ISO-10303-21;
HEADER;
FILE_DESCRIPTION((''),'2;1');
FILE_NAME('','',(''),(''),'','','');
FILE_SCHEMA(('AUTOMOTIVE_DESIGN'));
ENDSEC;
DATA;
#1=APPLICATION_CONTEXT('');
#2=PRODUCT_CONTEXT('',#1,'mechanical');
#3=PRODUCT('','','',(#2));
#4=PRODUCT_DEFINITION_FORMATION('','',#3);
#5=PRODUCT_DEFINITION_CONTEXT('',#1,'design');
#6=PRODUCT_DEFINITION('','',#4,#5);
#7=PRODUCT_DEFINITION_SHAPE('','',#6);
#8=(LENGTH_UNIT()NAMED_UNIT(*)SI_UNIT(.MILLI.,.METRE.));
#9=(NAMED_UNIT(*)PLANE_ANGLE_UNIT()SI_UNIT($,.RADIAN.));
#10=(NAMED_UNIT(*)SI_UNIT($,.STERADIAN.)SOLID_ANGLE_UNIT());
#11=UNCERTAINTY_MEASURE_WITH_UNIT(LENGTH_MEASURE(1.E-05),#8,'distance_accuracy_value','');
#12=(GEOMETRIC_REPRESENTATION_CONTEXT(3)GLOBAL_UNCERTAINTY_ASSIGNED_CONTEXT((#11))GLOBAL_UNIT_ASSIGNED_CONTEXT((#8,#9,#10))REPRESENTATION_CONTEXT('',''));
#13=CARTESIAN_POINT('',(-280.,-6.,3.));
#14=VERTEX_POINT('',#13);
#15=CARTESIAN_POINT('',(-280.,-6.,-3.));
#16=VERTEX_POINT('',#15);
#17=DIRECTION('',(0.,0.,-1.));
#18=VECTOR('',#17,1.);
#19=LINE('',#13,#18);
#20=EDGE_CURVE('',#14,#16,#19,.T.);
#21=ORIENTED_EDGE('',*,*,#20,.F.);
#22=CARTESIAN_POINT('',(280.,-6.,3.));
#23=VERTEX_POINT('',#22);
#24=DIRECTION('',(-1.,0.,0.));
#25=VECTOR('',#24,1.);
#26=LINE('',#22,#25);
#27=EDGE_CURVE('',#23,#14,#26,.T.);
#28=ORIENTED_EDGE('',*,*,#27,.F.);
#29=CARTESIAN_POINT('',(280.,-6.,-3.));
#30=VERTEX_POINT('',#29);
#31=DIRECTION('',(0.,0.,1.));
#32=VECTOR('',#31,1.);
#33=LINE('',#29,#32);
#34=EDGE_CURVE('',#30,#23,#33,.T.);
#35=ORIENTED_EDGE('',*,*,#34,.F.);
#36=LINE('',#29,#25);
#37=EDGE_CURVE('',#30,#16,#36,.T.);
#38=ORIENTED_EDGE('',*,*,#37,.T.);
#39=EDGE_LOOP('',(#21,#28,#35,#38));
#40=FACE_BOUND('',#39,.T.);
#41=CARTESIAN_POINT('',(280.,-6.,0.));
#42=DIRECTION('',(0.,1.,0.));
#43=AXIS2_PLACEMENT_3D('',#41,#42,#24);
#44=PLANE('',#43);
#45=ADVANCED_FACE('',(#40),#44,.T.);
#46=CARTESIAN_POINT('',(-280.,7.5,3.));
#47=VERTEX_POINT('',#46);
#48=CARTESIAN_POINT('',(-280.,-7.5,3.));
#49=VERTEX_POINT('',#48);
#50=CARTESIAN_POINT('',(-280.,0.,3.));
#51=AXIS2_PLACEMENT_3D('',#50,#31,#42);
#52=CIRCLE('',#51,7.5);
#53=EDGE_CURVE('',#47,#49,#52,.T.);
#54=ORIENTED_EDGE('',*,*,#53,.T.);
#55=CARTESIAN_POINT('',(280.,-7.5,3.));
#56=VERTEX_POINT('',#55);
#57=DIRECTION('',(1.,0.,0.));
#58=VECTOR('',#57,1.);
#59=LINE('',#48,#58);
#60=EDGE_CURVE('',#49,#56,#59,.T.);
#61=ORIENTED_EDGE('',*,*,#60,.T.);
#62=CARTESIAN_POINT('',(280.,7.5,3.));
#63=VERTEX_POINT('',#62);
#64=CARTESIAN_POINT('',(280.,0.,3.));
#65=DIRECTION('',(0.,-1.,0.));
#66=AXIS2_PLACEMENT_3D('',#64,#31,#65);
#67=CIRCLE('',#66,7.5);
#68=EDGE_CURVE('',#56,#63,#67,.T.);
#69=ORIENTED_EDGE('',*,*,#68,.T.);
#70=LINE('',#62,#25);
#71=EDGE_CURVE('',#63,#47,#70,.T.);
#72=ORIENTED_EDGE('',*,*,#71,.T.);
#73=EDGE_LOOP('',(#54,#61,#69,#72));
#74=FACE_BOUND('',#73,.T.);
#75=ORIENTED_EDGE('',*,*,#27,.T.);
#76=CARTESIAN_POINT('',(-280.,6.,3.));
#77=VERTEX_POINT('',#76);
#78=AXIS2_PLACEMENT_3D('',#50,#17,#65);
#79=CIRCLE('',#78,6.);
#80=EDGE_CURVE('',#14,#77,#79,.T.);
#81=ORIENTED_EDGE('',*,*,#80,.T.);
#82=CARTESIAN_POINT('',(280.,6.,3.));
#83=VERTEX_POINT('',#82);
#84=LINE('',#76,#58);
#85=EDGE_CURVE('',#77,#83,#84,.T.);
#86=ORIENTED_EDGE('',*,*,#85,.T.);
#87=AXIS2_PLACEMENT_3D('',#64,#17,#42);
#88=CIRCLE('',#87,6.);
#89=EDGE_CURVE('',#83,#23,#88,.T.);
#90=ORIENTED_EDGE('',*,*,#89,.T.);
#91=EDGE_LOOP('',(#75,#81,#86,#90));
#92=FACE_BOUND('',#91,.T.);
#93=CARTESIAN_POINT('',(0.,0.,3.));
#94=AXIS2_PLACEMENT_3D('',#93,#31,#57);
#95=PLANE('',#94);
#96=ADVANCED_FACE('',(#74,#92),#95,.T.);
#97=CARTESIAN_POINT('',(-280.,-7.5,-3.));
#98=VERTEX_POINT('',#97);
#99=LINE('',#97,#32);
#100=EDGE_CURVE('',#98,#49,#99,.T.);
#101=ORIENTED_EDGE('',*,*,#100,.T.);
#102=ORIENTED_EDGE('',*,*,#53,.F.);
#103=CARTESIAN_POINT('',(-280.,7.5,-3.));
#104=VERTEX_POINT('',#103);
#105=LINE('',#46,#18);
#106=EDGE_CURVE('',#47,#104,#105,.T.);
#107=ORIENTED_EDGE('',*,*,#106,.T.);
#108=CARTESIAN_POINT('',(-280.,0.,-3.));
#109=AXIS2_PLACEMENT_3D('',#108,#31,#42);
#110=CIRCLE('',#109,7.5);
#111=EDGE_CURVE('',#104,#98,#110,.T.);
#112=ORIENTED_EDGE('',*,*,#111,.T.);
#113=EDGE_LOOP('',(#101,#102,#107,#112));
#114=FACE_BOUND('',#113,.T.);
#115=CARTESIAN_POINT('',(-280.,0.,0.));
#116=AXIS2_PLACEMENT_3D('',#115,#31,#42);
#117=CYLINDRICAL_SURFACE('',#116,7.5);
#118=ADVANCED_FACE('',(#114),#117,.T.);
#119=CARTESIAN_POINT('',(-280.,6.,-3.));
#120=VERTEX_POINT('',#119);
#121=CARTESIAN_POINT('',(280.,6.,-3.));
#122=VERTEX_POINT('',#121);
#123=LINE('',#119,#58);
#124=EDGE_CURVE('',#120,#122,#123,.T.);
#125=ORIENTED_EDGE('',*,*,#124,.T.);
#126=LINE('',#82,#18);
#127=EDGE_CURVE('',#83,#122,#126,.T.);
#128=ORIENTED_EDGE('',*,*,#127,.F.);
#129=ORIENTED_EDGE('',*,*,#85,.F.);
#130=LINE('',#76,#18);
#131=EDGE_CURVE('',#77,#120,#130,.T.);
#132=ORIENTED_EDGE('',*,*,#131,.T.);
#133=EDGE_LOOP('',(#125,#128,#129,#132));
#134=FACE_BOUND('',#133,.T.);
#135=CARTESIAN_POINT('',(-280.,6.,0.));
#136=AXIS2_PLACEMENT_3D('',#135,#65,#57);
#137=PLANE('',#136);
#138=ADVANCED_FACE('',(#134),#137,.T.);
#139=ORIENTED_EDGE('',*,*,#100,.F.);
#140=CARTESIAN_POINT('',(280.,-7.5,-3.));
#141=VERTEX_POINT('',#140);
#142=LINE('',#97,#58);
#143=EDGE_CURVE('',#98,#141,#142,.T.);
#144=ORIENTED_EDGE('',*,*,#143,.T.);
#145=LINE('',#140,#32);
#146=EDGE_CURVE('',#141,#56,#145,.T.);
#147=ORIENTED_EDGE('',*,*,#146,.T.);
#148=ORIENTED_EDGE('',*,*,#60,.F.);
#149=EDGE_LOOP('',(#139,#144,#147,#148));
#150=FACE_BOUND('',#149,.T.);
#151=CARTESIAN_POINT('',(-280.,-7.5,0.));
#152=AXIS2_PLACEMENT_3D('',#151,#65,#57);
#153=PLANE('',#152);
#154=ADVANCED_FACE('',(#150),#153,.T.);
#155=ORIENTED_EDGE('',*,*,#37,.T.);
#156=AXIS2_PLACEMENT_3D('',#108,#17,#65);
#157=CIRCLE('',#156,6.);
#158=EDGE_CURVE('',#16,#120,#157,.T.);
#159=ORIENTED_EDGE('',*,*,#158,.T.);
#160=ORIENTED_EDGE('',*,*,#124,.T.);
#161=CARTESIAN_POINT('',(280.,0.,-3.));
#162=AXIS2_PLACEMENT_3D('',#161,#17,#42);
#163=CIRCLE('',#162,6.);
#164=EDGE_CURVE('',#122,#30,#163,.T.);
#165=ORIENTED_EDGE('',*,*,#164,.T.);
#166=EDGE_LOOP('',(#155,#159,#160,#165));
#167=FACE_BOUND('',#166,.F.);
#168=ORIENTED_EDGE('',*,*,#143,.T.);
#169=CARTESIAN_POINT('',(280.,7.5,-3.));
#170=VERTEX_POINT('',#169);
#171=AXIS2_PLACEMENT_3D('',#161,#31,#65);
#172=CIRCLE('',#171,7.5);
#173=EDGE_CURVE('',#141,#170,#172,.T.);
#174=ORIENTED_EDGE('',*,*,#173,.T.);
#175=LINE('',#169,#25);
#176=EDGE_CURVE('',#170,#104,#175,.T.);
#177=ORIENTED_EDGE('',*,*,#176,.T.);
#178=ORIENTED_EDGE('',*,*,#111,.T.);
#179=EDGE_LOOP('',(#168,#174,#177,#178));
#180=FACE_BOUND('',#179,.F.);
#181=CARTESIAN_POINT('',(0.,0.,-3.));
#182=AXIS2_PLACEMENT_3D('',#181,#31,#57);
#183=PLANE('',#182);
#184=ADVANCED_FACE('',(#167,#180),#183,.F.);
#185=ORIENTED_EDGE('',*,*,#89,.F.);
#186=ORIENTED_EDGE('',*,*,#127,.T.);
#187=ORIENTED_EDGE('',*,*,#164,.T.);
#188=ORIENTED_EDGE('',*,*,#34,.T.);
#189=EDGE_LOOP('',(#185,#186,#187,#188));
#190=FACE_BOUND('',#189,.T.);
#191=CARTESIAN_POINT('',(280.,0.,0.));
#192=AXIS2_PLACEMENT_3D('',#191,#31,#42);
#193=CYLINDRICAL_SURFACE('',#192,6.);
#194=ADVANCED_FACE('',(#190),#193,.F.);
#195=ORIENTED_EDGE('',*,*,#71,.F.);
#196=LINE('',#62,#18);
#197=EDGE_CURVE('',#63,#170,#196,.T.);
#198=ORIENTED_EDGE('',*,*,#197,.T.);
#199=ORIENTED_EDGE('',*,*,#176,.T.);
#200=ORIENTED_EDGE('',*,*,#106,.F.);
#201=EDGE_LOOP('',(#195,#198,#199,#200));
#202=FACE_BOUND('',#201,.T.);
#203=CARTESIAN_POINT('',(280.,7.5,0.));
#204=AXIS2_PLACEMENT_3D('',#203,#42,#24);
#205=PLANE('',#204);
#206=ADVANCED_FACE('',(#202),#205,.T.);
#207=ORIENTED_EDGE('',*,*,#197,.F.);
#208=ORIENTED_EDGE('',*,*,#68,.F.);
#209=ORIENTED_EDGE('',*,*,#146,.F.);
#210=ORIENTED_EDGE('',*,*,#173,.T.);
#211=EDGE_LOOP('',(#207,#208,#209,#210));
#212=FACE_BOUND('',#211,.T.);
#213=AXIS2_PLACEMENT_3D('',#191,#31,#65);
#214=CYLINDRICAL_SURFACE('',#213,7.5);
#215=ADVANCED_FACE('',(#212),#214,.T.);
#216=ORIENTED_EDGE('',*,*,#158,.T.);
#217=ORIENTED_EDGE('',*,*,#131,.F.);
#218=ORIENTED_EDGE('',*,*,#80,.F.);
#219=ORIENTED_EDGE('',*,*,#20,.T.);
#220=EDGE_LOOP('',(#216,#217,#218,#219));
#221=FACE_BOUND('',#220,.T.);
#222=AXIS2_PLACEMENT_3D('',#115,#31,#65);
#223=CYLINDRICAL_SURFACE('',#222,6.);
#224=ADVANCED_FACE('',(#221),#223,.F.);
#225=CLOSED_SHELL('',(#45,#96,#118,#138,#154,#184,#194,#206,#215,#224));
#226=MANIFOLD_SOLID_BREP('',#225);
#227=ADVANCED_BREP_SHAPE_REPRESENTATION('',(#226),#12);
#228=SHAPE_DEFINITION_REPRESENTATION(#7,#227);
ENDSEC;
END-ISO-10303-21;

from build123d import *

# Parameters (mm, degrees)
F1_DEPTH = 3


with BuildPart() as f1:
    # F0 (on Top) → F1 (new body, symmetric)
    with BuildSketch(Plane.XY):
        with BuildLine():
            ThreePointArc((-280, 7.5), (-287.5, 0), (-280, -7.5))
            Line((-280, -7.5), (280, -7.5))
            ThreePointArc((280, -7.5), (287.5, 0), (280, 7.5))
            Line((280, 7.5), (-280, 7.5))
        make_face()
        with BuildLine():
            Line((280, -6), (-280, -6))
            ThreePointArc((-280, -6), (-286, 0), (-280, 6))
            Line((-280, 6), (280, 6))
            ThreePointArc((280, 6), (286, 0), (280, -6))
        make_face(mode=Mode.SUBTRACT)
    extrude(amount=F1_DEPTH, both=True)


solid = f1.part
